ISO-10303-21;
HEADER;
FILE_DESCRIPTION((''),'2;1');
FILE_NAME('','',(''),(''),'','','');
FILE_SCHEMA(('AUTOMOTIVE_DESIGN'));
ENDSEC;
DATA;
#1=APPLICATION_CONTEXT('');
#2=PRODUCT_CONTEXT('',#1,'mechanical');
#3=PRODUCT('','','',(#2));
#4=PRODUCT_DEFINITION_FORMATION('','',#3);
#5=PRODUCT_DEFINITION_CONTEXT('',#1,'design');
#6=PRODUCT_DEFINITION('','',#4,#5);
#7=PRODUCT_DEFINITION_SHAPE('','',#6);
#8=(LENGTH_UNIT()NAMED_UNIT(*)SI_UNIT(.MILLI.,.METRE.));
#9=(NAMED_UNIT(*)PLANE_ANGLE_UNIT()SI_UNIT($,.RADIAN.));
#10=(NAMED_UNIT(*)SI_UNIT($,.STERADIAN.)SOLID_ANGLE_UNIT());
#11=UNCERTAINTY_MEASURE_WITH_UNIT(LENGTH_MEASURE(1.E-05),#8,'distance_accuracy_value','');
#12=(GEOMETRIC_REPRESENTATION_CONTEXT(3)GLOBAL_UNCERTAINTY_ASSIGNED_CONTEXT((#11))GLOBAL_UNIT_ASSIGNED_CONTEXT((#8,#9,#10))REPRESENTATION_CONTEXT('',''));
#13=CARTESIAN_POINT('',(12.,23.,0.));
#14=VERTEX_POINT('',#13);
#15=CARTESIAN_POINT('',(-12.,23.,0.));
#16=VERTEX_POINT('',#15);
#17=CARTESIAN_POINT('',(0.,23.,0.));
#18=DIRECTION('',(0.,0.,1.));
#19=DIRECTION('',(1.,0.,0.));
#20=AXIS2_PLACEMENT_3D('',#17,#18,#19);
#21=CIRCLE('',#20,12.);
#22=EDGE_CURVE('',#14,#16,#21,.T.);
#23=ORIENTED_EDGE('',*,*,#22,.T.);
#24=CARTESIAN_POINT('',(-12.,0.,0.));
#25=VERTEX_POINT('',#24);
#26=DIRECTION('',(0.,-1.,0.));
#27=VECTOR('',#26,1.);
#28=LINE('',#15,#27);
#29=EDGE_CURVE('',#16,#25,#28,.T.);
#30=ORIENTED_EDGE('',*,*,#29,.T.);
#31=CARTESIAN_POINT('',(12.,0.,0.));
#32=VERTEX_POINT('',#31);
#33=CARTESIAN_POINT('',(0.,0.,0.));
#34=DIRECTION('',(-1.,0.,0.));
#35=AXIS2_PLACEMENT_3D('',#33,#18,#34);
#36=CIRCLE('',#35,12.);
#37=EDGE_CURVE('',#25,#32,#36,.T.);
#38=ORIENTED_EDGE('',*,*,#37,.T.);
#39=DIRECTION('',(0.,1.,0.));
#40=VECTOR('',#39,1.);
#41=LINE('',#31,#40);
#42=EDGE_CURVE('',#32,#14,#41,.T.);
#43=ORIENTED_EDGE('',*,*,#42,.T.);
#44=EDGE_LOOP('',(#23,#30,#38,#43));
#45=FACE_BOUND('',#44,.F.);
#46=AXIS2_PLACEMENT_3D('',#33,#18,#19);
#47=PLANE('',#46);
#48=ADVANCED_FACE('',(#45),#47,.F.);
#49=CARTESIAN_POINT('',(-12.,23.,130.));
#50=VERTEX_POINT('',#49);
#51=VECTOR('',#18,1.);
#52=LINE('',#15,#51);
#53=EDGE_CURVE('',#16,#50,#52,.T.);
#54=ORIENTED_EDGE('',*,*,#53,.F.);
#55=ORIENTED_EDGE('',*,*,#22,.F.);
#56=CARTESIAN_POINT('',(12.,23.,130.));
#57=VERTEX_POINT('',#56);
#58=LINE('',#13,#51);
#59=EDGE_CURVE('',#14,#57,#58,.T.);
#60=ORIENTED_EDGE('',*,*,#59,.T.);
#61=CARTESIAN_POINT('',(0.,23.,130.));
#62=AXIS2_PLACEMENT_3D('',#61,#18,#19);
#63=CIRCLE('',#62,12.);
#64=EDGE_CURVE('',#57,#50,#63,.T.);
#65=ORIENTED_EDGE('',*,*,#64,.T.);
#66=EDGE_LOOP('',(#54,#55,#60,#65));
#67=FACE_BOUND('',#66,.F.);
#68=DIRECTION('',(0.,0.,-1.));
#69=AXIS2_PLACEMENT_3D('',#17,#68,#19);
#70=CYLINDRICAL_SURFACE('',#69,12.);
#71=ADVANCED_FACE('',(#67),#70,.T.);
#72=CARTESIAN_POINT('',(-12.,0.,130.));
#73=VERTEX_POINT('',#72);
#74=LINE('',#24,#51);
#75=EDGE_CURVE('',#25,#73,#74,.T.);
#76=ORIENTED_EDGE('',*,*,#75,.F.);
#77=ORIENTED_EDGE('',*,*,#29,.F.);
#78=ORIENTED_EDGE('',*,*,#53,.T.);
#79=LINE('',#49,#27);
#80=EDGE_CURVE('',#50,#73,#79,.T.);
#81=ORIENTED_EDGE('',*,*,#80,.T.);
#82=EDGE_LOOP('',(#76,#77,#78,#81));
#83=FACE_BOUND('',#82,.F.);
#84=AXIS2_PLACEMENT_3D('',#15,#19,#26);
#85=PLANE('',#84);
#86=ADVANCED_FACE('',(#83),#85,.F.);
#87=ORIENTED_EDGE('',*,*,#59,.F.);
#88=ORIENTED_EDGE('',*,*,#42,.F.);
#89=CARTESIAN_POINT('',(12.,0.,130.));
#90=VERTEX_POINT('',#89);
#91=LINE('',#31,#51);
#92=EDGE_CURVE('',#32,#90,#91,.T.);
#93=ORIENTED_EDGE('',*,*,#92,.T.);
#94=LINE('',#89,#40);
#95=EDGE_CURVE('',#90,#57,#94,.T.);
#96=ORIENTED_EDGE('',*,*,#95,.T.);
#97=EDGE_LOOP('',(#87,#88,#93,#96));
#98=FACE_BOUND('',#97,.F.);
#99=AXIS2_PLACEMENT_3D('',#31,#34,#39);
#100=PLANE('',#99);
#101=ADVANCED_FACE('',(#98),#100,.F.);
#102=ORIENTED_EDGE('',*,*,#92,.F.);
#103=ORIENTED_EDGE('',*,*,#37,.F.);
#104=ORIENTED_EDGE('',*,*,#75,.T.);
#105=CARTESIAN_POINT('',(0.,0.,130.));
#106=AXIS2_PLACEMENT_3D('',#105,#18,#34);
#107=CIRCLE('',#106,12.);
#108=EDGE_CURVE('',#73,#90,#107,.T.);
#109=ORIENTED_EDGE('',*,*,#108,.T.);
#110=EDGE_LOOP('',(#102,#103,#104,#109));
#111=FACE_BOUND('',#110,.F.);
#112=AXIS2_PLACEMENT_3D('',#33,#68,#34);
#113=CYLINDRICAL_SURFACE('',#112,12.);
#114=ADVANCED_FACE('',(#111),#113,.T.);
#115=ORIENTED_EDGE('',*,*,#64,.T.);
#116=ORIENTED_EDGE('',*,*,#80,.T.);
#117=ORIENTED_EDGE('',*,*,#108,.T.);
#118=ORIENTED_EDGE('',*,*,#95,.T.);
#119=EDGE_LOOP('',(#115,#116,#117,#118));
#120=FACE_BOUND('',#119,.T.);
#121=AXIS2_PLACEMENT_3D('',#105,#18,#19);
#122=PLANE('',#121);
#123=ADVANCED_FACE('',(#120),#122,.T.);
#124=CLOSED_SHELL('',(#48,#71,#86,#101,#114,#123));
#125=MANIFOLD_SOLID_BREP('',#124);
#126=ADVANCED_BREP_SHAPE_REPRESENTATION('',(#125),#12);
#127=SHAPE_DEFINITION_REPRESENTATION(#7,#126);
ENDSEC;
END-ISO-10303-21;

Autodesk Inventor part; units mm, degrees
ref_plane "YZ Plane" through (0, 0, 0) normal (1, 0, 0) x (0, 1, 0)
ref_plane "XZ Plane" through (0, 0, 0) normal (0, 1, 0) x (-1, 0, 0)
ref_plane "XY Plane" through (0, 0, 0) normal (0, 0, 1) x (1, 0, 0)
sketch "Esquisse1" plane through (0, 0, 0) normal (0, 0, 1) x (1, 0, 0)
  line L0 (0, 0) -> (0, 23) construction
  line L1 (12, 0) -> (12, 23)
  line L2 (-12, 23) -> (-12, 0)
  arc A0 (-12, 0) -> (12, 0) centre (0, 0) ccw
  arc A1 (12, 23) -> (-12, 23) centre (0, 23) ccw
  point P0 (0, 11.5)
  dimension "d0" = 47
  dimension "d1" = 24
extrude "Extrusion1" add sketch "Esquisse1" along normal blind 130
properties part number "Batterie" material "Plastique ABS"
